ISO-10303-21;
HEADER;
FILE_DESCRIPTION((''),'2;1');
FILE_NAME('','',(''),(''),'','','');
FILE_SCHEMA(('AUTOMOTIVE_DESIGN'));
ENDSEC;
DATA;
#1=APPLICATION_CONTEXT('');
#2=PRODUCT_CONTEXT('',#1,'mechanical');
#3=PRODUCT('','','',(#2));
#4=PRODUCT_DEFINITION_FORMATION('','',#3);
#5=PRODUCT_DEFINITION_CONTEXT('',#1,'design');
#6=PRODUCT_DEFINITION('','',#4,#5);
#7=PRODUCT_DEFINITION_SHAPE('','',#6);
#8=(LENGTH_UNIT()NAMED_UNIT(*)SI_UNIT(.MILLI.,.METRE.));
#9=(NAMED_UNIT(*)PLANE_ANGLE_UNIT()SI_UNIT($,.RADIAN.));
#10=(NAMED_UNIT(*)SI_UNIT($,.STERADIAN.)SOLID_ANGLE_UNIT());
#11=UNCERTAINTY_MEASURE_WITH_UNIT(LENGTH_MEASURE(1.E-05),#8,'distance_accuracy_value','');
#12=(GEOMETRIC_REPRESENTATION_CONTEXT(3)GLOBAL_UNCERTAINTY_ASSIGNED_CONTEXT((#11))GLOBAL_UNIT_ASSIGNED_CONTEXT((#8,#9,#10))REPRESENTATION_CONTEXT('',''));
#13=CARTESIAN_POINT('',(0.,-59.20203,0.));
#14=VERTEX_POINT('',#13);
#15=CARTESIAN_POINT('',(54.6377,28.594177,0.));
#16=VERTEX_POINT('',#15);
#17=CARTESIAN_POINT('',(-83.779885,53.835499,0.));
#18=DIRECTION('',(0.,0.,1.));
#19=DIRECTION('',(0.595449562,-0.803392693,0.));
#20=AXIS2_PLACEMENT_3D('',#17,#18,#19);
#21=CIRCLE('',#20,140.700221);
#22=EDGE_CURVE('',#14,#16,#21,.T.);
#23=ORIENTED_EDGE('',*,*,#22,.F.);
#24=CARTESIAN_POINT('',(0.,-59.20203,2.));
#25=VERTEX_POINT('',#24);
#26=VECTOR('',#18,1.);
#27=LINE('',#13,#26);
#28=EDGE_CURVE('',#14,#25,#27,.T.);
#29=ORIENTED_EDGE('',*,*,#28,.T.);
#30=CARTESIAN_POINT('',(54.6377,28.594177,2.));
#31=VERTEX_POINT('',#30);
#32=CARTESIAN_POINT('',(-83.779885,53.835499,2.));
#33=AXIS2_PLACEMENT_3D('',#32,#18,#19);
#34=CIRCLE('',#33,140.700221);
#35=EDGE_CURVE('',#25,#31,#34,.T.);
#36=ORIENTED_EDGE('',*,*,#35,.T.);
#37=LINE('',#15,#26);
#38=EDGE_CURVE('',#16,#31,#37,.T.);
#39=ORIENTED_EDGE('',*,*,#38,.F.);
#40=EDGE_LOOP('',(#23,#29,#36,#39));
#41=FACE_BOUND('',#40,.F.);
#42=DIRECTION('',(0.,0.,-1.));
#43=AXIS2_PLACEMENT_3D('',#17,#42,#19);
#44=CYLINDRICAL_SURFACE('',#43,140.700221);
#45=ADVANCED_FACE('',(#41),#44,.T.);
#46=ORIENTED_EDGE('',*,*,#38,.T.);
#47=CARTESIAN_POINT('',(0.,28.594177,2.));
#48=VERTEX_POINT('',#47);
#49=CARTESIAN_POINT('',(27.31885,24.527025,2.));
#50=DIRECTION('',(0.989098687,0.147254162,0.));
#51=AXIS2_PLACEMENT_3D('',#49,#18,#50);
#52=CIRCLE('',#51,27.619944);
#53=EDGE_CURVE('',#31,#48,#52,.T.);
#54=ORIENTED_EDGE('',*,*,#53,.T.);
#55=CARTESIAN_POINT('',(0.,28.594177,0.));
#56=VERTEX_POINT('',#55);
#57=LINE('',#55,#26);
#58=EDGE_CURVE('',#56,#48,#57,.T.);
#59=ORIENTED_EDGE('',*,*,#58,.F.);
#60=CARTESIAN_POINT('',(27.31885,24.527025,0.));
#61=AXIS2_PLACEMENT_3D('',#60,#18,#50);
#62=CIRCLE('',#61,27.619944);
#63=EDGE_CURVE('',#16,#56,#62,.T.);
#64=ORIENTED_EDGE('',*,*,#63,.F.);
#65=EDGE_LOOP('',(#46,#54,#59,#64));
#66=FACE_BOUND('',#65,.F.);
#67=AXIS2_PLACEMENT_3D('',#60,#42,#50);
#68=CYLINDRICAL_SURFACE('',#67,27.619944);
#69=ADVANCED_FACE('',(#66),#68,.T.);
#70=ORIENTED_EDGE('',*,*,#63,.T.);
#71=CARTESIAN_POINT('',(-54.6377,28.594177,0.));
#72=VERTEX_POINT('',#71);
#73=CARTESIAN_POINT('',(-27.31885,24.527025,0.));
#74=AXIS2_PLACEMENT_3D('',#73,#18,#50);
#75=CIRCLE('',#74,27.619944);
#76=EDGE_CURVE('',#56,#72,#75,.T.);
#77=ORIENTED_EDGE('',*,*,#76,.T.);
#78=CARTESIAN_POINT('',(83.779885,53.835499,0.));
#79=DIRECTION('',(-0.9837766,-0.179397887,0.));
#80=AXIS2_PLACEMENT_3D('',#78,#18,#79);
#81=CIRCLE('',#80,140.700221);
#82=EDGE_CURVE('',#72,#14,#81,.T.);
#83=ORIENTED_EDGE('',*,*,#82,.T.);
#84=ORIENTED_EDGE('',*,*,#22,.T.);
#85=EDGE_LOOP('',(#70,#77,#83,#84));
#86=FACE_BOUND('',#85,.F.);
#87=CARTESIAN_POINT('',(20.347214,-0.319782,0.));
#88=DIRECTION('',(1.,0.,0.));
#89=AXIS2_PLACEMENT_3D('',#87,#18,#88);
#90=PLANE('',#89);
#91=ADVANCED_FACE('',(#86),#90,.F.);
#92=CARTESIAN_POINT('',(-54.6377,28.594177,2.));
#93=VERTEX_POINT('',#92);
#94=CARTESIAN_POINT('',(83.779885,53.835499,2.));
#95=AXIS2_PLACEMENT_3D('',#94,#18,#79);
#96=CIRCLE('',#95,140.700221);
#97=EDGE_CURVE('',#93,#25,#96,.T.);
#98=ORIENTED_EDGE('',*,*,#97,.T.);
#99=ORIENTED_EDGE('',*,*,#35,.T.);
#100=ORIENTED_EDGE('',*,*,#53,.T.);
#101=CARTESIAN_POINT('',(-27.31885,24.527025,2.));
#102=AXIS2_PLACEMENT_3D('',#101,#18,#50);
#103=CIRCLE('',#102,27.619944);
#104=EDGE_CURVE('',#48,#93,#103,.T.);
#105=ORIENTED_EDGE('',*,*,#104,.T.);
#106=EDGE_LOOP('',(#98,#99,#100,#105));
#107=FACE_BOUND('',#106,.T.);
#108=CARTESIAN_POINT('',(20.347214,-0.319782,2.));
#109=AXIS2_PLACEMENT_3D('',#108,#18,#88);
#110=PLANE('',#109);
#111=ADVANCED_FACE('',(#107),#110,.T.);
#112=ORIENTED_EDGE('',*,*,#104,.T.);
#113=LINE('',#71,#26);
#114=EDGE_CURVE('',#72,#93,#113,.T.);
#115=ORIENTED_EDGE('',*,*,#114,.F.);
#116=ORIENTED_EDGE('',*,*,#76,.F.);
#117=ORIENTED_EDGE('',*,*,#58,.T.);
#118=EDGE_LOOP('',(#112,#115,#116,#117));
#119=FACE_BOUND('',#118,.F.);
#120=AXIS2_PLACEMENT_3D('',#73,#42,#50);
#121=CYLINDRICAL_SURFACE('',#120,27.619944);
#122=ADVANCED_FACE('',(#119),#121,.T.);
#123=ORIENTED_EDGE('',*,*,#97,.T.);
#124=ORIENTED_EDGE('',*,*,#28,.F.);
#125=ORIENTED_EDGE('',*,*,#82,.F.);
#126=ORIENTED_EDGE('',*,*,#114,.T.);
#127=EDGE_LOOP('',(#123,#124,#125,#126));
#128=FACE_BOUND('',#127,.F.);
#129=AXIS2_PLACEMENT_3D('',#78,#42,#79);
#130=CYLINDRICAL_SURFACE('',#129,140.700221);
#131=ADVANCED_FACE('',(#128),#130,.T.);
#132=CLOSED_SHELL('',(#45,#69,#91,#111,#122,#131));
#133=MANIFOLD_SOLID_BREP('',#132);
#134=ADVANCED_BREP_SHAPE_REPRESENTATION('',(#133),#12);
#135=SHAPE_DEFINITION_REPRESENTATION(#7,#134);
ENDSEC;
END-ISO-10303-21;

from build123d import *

# Parameters (mm, degrees)
F1_DEPTH = 2


with BuildPart() as f1:
    # F0 (on Top) → F1 (new body)
    with BuildSketch(Plane.XY):
        with BuildLine():
            ThreePointArc((54.6377, 28.594177), (27.31885, 52.146969), (0, 28.594177))
            Line((0, 28.594177), (0, -59.20203))
            ThreePointArc((0, -59.20203), (35.677105, -20.50547), (54.6377, 28.594177))
        make_face()
        with BuildLine():
            Line((0, -59.20203), (0, 28.594177))
            ThreePointArc((0, 28.594177), (-27.31885, 52.146969), (-54.6377, 28.594177))
            ThreePointArc((-54.6377, 28.594177), (-35.677105, -20.50547), (0, -59.20203))
        make_face()
    extrude(amount=F1_DEPTH)


solid = f1.part
